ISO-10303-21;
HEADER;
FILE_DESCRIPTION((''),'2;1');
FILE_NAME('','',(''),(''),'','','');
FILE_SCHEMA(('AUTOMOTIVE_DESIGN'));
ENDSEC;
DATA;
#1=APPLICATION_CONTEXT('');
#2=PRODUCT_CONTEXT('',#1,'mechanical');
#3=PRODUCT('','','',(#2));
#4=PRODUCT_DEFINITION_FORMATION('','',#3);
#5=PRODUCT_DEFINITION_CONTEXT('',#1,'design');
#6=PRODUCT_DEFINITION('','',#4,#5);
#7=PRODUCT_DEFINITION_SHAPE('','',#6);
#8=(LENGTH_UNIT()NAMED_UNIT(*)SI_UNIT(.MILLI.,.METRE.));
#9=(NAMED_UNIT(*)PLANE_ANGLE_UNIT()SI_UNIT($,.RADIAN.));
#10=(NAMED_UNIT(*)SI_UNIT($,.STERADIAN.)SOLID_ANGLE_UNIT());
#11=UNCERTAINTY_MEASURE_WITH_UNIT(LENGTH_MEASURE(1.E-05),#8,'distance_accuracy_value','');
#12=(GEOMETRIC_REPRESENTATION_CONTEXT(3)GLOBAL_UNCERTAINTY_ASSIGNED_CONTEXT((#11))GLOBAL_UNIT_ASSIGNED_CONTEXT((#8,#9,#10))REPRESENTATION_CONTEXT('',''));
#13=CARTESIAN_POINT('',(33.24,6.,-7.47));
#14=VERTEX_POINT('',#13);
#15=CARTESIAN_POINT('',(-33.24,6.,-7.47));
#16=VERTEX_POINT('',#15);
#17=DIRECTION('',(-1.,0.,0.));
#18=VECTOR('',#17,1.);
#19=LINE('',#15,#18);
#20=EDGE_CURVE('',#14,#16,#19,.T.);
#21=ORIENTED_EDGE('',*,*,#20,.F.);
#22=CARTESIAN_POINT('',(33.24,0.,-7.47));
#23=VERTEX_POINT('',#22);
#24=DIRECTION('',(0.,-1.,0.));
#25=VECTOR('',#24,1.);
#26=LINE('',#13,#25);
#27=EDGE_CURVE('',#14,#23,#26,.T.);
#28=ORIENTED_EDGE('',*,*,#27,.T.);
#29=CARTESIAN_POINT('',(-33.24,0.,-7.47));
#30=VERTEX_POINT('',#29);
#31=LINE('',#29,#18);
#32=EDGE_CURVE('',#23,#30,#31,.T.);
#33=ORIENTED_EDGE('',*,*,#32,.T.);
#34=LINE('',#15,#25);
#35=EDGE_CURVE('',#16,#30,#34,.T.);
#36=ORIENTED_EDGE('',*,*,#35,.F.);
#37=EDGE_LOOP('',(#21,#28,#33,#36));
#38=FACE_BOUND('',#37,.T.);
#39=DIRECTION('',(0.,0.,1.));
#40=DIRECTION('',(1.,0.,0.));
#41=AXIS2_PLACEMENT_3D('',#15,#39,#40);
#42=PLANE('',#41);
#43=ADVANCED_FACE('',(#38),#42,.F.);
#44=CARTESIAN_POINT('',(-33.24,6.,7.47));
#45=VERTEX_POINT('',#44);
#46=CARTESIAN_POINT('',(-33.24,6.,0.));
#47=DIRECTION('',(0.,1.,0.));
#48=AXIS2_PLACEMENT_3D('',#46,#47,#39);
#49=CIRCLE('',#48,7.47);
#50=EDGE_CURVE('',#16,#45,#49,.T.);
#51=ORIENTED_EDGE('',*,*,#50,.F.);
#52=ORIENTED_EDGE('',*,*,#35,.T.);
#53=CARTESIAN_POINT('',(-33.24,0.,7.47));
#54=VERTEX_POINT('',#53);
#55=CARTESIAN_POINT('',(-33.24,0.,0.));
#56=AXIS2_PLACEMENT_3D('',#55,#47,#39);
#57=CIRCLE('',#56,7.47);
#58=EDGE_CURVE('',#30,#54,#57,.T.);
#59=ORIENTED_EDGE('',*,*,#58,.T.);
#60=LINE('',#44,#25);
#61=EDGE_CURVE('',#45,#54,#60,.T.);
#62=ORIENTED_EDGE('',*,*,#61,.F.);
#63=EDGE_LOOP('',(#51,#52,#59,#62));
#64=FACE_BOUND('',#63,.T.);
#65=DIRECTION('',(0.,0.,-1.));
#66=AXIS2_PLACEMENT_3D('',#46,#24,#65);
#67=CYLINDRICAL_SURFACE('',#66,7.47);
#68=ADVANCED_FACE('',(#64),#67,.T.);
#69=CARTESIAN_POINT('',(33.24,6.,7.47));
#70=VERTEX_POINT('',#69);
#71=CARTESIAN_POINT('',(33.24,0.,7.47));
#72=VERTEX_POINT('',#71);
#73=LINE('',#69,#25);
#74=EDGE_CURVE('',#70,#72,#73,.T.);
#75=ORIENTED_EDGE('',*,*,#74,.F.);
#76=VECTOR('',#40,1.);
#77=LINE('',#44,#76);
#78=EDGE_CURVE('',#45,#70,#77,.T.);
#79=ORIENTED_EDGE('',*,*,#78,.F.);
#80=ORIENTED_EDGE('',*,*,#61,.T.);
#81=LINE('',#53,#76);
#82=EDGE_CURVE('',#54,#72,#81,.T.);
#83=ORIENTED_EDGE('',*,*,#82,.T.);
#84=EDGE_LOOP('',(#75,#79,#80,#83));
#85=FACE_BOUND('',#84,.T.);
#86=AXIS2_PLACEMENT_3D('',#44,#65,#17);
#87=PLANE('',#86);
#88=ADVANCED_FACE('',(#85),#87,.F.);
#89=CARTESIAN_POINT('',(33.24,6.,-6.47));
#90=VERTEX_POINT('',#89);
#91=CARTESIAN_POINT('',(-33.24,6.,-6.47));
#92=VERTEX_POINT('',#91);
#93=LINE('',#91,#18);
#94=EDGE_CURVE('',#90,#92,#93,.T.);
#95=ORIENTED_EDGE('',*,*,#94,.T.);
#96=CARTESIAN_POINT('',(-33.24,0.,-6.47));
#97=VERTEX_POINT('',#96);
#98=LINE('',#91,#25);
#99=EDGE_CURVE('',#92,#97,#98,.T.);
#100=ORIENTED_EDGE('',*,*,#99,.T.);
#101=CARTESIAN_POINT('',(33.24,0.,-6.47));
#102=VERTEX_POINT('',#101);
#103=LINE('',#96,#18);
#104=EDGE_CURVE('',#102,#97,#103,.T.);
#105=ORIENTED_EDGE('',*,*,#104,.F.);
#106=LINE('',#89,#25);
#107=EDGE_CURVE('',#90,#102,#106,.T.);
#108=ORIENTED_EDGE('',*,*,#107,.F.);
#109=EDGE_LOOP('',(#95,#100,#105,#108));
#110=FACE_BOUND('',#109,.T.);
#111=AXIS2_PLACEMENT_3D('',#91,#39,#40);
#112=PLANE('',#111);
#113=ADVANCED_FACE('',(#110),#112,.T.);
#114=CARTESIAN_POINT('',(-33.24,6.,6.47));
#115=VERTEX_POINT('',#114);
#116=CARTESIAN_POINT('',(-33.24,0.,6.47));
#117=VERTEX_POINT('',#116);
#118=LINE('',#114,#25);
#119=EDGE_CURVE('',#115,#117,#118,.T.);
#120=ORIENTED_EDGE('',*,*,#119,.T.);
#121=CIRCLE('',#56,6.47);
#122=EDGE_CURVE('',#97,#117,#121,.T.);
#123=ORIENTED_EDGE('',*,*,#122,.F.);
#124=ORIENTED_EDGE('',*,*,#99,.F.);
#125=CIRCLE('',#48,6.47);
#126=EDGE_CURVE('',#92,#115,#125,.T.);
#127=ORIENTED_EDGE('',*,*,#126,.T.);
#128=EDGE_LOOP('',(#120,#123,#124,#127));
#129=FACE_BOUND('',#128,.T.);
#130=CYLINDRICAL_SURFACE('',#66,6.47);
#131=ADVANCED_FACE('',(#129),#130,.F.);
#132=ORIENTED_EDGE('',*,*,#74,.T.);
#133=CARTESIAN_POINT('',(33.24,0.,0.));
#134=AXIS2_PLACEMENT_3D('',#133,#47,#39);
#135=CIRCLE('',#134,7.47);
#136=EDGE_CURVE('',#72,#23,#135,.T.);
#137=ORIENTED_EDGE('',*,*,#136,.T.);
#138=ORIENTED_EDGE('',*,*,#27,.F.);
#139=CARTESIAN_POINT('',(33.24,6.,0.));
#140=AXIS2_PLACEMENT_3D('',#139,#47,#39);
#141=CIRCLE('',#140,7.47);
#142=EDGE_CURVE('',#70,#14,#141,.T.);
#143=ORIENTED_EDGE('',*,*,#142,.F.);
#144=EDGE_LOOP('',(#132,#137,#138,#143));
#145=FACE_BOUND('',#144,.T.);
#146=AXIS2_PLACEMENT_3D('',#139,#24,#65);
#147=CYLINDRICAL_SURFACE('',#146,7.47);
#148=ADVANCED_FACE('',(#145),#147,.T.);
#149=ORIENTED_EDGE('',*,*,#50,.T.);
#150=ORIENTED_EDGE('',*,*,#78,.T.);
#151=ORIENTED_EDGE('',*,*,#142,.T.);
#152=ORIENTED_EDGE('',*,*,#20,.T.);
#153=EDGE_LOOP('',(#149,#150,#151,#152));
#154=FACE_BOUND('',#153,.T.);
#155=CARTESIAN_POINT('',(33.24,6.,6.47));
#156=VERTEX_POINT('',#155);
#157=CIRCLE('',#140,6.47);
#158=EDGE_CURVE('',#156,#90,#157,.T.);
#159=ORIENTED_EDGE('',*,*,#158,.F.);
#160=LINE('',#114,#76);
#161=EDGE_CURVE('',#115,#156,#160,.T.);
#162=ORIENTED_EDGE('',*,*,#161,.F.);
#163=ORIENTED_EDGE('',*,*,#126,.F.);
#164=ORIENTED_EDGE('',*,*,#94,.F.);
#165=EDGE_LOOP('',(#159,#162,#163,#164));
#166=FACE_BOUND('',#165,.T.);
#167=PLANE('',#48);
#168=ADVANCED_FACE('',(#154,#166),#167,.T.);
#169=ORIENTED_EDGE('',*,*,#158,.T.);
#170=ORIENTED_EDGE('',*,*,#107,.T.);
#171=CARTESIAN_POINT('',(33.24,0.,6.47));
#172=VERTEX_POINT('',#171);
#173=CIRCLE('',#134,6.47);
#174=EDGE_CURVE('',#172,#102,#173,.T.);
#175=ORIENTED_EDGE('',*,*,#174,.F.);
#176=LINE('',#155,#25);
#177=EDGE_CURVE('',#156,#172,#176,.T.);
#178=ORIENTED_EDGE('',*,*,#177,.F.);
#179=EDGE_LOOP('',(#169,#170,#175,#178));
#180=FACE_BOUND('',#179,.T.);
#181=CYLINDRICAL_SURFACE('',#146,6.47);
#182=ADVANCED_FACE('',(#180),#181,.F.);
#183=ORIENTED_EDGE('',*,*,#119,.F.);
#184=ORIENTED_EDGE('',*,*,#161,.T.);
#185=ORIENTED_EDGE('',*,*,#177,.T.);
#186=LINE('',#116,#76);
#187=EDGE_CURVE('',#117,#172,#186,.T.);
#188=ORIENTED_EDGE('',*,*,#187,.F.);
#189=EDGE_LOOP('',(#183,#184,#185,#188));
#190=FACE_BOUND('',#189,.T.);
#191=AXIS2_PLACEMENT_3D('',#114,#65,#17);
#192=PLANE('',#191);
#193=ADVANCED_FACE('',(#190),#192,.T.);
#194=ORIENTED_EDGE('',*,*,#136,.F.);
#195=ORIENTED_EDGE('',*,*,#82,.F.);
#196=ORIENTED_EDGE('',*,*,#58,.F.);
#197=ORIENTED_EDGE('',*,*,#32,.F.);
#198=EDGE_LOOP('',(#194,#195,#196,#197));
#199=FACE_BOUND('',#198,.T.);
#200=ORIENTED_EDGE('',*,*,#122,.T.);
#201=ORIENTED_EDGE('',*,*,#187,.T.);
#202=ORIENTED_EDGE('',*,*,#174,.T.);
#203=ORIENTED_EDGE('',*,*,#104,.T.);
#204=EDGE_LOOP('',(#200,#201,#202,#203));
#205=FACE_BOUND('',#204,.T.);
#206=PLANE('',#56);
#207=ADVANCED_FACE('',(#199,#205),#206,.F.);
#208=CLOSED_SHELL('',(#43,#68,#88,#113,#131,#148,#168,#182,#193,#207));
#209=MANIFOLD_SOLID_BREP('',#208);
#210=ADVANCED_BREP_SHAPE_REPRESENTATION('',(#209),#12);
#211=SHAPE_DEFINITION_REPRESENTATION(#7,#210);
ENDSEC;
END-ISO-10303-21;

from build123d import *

# Parameters (mm, degrees)
EXTRUDE_1_DEPTH = 6


with BuildPart() as part:
    # 草图1 → 凸台-拉伸1 (new body)
    with BuildSketch(Plane(origin=(0, 0, 0), x_dir=(1, 0, 0), z_dir=(0, 1, 0))):
        with BuildLine():
            Line((-33.24, 7.47), (33.24, 7.47))
            ThreePointArc((33.24, 7.47), (40.71, 0), (33.24, -7.47))
            Line((33.24, -7.47), (-33.24, -7.47))
            ThreePointArc((-33.24, -7.47), (-40.71, 0), (-33.24, 7.47))
        make_face()
        with BuildLine():
            Line((-33.24, 6.47), (33.24, 6.47))
            ThreePointArc((33.24, 6.47), (39.71, 0), (33.24, -6.47))
            Line((33.24, -6.47), (-33.24, -6.47))
            ThreePointArc((-33.24, -6.47), (-39.71, 0), (-33.24, 6.47))
        make_face(mode=Mode.SUBTRACT)
    extrude(amount=EXTRUDE_1_DEPTH)


solid = part.part
